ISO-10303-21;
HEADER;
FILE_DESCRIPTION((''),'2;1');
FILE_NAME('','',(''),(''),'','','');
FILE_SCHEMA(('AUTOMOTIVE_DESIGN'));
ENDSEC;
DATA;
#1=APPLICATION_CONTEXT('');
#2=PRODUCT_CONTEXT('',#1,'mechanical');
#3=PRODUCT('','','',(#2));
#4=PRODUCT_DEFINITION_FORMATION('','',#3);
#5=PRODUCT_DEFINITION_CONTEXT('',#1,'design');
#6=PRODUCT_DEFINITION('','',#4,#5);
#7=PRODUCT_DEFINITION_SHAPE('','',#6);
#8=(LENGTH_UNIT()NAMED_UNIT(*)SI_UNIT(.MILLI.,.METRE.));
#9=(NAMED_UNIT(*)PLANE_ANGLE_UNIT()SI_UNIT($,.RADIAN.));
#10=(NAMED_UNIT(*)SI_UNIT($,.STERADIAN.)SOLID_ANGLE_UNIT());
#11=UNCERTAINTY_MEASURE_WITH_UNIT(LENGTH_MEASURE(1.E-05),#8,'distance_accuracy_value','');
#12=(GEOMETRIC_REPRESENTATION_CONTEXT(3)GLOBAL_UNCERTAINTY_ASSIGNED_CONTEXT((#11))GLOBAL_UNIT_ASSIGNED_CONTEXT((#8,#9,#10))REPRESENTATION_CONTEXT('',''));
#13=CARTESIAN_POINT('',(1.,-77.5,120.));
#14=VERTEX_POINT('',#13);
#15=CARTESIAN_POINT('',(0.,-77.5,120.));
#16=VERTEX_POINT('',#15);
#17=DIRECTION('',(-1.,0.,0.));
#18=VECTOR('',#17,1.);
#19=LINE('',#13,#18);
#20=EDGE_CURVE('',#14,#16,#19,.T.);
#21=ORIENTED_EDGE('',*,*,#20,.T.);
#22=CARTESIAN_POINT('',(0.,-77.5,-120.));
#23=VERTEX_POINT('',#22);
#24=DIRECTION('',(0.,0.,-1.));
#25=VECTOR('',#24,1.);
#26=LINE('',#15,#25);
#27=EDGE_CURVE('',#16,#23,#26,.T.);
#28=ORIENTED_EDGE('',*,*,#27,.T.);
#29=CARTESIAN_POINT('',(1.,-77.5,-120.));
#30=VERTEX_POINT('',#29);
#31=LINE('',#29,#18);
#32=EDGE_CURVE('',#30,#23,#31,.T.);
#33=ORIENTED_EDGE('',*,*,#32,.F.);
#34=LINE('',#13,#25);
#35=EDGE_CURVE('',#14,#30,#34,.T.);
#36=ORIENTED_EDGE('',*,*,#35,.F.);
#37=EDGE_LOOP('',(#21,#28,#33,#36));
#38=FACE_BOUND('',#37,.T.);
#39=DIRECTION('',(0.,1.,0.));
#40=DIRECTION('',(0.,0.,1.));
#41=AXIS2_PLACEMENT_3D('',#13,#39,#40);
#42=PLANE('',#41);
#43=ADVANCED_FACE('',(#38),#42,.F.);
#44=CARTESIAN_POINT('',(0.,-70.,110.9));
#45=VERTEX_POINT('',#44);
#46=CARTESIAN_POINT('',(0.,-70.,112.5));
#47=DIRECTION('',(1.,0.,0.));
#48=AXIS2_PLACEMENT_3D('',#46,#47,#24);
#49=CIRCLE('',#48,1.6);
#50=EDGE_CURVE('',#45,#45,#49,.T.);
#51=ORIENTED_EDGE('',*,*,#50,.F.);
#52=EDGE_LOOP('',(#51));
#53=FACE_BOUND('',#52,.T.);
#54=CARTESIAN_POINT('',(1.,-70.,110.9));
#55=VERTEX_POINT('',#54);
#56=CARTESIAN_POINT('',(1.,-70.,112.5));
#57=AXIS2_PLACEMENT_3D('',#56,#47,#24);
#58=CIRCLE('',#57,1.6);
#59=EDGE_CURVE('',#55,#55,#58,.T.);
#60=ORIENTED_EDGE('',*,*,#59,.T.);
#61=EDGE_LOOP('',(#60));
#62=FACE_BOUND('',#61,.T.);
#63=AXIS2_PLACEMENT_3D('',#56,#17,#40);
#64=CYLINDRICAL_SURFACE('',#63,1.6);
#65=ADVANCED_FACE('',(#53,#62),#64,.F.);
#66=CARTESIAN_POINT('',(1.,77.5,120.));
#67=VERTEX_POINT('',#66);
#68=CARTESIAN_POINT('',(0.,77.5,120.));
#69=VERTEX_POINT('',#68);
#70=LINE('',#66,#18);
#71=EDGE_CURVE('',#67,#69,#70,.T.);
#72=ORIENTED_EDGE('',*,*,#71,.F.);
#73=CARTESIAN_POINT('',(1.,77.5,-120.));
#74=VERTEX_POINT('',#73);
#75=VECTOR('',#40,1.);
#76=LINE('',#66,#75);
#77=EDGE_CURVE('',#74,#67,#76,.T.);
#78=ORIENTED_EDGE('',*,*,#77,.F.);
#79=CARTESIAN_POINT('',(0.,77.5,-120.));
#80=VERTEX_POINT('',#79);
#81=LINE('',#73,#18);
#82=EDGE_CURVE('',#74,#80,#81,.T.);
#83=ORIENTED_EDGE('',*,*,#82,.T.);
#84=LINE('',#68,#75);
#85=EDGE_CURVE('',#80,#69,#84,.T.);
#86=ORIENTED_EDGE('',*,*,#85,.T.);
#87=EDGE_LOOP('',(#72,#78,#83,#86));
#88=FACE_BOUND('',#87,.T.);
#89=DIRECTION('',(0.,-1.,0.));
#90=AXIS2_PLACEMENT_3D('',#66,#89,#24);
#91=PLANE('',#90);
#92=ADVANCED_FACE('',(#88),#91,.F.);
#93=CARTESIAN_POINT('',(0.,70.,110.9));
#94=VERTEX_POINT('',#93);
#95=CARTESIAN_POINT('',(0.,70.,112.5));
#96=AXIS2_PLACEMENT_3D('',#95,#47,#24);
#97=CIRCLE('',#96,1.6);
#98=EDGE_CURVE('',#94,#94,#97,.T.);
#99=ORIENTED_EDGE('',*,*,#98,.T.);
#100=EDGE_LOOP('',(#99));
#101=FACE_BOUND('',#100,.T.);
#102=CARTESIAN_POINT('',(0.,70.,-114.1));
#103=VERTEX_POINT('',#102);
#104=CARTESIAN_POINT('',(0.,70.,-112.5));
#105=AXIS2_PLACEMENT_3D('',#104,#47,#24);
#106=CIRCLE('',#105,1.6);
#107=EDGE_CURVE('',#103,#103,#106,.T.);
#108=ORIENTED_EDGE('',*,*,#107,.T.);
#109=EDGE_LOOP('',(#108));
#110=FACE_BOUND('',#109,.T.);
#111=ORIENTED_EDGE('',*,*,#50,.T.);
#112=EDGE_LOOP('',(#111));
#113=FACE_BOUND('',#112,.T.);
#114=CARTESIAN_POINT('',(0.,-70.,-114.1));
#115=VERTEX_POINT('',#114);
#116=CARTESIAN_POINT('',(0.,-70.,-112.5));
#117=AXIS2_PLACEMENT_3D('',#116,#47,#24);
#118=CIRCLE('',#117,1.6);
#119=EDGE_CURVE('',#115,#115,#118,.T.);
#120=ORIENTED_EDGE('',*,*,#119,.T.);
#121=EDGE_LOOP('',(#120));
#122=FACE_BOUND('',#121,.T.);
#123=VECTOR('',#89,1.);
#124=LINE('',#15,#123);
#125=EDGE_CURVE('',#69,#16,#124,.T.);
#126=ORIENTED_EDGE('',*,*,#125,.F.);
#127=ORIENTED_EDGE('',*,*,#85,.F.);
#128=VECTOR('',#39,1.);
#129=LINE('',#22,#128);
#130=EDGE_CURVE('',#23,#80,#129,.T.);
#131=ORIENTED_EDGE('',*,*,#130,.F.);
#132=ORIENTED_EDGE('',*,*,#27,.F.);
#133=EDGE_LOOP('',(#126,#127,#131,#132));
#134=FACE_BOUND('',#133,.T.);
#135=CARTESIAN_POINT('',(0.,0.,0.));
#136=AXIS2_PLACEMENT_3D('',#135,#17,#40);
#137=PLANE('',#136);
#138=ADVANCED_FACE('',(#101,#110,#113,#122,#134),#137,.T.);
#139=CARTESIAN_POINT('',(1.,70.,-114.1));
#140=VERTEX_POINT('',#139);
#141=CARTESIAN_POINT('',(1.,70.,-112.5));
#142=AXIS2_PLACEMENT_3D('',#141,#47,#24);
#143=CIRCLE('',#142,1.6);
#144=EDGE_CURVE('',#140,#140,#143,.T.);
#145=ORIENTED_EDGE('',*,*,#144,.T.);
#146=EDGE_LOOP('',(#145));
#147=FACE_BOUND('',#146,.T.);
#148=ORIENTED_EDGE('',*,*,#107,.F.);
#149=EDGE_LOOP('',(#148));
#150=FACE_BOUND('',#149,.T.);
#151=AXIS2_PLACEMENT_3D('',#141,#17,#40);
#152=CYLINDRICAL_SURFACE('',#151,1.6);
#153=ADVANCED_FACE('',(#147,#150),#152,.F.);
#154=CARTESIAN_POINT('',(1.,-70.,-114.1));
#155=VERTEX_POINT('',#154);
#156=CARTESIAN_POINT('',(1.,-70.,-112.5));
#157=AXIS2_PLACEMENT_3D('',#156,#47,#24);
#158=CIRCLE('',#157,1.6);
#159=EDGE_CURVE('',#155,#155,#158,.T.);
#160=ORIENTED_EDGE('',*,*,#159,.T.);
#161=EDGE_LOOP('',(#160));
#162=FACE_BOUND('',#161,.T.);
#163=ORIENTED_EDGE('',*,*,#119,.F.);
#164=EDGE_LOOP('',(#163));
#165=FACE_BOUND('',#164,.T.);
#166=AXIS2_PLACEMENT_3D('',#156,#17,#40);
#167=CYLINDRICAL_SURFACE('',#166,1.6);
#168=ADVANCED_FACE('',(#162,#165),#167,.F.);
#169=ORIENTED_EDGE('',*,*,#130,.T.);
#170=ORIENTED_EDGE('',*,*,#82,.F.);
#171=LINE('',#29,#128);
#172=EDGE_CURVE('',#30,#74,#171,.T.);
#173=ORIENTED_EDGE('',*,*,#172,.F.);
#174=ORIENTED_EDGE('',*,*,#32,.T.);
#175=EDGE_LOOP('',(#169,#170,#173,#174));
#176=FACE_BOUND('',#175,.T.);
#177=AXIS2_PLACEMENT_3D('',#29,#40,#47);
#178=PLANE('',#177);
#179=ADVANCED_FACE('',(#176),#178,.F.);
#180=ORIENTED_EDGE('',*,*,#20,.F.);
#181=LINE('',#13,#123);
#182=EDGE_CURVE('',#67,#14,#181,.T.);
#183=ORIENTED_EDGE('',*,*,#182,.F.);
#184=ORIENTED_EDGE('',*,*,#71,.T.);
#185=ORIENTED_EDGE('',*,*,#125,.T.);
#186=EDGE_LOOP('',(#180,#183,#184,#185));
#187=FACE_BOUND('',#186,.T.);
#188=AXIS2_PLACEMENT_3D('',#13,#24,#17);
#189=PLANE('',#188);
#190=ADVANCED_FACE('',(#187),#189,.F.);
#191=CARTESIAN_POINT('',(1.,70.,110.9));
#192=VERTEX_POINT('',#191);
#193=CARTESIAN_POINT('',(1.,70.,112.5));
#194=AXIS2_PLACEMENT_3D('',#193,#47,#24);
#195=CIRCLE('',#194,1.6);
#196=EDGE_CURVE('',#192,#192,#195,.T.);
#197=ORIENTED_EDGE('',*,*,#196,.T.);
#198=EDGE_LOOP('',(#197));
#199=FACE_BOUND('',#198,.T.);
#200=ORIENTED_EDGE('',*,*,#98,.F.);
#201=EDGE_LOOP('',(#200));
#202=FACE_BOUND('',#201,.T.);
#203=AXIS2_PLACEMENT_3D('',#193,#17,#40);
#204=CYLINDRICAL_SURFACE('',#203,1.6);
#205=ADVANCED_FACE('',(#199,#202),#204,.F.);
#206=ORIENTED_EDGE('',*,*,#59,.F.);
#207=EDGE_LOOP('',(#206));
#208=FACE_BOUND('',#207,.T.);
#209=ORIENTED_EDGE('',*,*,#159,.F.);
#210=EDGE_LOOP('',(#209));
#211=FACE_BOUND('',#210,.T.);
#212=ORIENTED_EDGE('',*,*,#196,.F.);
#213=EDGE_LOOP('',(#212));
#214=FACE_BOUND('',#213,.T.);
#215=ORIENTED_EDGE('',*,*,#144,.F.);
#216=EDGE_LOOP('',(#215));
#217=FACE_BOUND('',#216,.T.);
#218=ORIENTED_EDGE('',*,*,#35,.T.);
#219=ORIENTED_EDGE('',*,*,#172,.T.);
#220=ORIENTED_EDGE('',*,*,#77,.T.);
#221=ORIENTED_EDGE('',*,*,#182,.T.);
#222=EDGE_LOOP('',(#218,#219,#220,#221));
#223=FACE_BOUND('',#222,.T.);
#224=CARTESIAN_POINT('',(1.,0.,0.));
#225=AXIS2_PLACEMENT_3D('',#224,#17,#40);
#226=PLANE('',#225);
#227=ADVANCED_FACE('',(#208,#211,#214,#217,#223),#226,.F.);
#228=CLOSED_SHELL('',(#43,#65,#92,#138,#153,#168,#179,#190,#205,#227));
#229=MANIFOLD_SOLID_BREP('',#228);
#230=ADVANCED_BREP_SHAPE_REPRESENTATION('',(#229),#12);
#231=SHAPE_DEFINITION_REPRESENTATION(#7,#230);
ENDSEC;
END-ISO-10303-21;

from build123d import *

# Parameters (mm, degrees)
SKETCH_2_W      = 240
SKETCH_2_H      = 155
SKETCH_2_R      = 1.6
EXTRUDE_1_DEPTH = 1


with BuildPart() as part:
    # ｽｹｯﾁ2 → ﾎﾞｽ - 押し出し1 (new body)
    with BuildSketch(Plane(origin=(0, 0, 0), x_dir=(0, 0, -1), z_dir=(1, 0, 0))):
        Rectangle(SKETCH_2_W, SKETCH_2_H)
        with Locations((-112.5, 70)):
            Circle(SKETCH_2_R, mode=Mode.SUBTRACT)
        with Locations((-112.5, -70)):
            Circle(SKETCH_2_R, mode=Mode.SUBTRACT)
        with Locations((112.5, -70)):
            Circle(SKETCH_2_R, mode=Mode.SUBTRACT)
        with Locations((112.5, 70)):
            Circle(SKETCH_2_R, mode=Mode.SUBTRACT)
    extrude(amount=EXTRUDE_1_DEPTH)


solid = part.part
